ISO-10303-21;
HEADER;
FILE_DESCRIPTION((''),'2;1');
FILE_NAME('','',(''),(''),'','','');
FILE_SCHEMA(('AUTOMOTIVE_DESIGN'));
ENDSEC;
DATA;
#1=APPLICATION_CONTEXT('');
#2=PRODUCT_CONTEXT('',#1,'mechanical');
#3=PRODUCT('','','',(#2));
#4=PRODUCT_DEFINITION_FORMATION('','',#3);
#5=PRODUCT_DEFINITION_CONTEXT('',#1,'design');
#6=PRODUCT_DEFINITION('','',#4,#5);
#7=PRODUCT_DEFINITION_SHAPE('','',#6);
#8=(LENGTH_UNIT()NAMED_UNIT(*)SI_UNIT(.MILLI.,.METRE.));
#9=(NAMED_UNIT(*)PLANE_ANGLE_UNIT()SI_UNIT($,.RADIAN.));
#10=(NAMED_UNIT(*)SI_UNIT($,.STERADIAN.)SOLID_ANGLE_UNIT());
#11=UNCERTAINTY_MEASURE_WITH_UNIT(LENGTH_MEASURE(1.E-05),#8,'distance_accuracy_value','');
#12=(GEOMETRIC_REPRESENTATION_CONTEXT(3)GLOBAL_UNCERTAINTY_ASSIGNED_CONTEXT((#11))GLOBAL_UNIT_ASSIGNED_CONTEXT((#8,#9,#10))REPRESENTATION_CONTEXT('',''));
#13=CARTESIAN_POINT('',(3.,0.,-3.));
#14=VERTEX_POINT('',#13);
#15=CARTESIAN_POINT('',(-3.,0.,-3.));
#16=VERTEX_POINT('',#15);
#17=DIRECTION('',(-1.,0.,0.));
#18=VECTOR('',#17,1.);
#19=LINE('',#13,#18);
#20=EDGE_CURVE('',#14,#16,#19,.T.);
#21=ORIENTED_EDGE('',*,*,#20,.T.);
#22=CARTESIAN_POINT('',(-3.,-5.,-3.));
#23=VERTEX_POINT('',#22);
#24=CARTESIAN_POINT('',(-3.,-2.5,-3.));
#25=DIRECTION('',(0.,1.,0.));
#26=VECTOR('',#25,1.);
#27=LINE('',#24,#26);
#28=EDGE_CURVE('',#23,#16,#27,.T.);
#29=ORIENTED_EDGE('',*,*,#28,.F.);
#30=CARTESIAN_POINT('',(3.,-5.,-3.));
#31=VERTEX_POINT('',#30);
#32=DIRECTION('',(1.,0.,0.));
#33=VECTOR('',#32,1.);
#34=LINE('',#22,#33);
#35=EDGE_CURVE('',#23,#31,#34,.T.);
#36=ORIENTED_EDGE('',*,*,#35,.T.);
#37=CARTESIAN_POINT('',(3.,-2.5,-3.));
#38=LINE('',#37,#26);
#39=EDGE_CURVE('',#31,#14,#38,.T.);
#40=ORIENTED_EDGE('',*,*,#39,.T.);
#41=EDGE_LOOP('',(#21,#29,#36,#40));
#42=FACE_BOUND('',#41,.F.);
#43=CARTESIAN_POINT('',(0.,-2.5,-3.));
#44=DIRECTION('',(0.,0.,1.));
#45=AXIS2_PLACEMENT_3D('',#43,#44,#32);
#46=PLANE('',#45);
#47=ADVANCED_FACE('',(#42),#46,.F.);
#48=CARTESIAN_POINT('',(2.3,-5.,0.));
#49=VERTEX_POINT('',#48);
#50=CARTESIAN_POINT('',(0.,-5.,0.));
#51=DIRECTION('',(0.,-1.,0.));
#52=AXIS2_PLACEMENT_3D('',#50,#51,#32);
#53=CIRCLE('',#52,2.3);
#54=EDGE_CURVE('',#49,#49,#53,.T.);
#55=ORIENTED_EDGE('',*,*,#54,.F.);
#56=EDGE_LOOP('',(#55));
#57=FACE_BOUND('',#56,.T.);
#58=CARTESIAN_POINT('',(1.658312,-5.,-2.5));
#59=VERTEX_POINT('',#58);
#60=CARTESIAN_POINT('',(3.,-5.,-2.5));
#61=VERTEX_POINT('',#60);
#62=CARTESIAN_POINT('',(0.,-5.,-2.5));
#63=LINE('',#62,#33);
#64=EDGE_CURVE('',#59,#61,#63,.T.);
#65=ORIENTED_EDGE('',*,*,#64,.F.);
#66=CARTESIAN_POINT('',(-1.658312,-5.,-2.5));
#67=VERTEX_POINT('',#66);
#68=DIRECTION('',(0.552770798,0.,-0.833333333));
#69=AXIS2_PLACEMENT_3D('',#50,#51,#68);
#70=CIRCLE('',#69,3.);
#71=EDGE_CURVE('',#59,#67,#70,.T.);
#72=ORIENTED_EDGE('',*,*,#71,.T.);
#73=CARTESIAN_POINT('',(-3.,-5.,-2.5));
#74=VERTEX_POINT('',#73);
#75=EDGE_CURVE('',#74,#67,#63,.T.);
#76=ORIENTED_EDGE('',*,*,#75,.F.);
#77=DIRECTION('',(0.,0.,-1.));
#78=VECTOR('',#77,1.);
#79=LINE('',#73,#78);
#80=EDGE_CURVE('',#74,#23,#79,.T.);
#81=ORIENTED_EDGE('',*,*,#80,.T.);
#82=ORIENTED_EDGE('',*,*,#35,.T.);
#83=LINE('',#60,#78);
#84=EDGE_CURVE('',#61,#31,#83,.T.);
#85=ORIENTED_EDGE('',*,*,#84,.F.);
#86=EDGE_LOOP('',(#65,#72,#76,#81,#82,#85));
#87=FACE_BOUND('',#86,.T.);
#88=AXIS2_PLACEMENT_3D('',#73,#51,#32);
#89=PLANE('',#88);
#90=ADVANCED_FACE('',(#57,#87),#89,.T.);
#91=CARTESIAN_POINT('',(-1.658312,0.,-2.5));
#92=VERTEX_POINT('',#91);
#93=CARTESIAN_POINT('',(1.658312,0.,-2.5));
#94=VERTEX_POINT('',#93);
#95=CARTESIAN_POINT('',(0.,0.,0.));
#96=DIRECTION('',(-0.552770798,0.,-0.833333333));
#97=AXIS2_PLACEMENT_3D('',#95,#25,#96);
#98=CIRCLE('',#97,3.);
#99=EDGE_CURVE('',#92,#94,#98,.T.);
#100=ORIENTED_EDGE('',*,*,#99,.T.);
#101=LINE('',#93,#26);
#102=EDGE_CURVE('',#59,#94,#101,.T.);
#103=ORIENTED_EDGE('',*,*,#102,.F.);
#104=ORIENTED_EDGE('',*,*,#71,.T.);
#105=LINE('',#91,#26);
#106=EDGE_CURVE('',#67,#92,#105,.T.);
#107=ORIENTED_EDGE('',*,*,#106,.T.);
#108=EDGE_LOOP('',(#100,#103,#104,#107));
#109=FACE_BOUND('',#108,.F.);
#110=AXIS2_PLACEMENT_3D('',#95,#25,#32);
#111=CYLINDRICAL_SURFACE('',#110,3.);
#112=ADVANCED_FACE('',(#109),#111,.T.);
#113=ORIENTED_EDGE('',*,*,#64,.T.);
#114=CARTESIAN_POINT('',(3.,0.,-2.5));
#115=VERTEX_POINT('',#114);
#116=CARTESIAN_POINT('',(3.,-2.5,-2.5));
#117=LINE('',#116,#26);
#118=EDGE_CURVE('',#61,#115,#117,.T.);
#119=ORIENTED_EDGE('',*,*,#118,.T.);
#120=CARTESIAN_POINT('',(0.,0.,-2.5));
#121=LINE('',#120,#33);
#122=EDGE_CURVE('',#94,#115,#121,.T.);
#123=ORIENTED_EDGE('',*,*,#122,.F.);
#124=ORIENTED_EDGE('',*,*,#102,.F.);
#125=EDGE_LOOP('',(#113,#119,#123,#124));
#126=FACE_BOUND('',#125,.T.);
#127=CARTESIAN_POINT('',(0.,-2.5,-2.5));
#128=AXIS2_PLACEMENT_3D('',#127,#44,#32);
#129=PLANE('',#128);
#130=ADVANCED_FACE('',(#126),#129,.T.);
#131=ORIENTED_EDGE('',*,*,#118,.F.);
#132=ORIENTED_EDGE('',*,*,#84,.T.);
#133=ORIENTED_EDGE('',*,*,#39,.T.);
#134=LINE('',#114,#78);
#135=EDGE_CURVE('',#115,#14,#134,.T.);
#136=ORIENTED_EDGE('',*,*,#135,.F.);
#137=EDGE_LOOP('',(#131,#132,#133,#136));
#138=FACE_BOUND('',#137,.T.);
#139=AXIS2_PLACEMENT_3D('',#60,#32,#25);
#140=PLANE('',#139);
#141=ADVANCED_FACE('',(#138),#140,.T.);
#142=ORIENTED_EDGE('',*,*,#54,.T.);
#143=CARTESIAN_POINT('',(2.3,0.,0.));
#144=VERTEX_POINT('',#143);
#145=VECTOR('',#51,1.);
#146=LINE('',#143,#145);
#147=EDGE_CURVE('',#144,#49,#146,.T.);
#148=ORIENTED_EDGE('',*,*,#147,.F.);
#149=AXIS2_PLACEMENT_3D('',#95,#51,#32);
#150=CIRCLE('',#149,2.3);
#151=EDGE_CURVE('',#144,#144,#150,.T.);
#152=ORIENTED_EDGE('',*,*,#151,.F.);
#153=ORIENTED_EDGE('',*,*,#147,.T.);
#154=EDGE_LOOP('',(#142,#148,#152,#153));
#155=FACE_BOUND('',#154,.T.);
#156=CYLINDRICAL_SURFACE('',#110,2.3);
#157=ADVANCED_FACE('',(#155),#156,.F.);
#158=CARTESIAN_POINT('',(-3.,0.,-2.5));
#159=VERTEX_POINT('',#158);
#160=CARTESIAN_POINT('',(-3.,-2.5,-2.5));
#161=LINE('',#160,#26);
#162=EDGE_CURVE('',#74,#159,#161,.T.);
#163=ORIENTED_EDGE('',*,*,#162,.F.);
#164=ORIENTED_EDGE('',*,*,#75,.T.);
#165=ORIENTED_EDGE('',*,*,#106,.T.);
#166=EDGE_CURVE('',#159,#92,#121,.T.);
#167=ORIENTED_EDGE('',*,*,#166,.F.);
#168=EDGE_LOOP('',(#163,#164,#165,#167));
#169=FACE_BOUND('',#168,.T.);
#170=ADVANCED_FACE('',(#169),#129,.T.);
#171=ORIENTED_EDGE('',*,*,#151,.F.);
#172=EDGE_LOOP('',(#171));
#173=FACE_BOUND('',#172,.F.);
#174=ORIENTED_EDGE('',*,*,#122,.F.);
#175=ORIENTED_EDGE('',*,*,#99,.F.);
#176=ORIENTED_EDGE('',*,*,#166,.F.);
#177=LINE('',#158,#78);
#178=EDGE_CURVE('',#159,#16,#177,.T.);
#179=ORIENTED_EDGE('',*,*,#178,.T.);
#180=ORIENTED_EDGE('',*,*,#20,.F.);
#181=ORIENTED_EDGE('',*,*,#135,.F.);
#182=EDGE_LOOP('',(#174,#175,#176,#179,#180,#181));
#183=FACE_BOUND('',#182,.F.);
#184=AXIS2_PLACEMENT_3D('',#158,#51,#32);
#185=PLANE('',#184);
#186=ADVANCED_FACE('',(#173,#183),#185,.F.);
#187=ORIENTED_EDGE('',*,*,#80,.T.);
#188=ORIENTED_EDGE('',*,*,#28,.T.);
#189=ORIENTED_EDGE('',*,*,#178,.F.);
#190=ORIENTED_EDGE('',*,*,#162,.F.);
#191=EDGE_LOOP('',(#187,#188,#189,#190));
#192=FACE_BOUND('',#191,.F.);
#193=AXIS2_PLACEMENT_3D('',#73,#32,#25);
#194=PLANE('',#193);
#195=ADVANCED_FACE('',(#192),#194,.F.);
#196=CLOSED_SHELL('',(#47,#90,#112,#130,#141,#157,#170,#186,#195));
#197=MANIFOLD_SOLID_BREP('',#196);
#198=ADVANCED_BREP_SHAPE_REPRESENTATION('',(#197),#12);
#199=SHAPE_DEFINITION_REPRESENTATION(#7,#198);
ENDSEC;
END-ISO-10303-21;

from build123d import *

# Parameters (mm, degrees)
F0_R     = 3
F0_R_2   = 2.3
F1_DEPTH = 5
F3_START = -2.5
F2_W     = 6
F2_H     = 5
F3_DEPTH = 0.5


with BuildPart() as f1:
    # F0 (on Front) → F1 (new body)
    with BuildSketch(Plane.XZ):
        Circle(F0_R)
        Circle(F0_R_2, mode=Mode.SUBTRACT)
    extrude(amount=F1_DEPTH)

    # F2 (on Top) → F3 (join)
    with BuildSketch(Plane.XY.offset(F3_START)):
        with Locations((0, -2.5)):
            Rectangle(F2_W, F2_H)
    extrude(amount=-F3_DEPTH)


solid = f1.part
